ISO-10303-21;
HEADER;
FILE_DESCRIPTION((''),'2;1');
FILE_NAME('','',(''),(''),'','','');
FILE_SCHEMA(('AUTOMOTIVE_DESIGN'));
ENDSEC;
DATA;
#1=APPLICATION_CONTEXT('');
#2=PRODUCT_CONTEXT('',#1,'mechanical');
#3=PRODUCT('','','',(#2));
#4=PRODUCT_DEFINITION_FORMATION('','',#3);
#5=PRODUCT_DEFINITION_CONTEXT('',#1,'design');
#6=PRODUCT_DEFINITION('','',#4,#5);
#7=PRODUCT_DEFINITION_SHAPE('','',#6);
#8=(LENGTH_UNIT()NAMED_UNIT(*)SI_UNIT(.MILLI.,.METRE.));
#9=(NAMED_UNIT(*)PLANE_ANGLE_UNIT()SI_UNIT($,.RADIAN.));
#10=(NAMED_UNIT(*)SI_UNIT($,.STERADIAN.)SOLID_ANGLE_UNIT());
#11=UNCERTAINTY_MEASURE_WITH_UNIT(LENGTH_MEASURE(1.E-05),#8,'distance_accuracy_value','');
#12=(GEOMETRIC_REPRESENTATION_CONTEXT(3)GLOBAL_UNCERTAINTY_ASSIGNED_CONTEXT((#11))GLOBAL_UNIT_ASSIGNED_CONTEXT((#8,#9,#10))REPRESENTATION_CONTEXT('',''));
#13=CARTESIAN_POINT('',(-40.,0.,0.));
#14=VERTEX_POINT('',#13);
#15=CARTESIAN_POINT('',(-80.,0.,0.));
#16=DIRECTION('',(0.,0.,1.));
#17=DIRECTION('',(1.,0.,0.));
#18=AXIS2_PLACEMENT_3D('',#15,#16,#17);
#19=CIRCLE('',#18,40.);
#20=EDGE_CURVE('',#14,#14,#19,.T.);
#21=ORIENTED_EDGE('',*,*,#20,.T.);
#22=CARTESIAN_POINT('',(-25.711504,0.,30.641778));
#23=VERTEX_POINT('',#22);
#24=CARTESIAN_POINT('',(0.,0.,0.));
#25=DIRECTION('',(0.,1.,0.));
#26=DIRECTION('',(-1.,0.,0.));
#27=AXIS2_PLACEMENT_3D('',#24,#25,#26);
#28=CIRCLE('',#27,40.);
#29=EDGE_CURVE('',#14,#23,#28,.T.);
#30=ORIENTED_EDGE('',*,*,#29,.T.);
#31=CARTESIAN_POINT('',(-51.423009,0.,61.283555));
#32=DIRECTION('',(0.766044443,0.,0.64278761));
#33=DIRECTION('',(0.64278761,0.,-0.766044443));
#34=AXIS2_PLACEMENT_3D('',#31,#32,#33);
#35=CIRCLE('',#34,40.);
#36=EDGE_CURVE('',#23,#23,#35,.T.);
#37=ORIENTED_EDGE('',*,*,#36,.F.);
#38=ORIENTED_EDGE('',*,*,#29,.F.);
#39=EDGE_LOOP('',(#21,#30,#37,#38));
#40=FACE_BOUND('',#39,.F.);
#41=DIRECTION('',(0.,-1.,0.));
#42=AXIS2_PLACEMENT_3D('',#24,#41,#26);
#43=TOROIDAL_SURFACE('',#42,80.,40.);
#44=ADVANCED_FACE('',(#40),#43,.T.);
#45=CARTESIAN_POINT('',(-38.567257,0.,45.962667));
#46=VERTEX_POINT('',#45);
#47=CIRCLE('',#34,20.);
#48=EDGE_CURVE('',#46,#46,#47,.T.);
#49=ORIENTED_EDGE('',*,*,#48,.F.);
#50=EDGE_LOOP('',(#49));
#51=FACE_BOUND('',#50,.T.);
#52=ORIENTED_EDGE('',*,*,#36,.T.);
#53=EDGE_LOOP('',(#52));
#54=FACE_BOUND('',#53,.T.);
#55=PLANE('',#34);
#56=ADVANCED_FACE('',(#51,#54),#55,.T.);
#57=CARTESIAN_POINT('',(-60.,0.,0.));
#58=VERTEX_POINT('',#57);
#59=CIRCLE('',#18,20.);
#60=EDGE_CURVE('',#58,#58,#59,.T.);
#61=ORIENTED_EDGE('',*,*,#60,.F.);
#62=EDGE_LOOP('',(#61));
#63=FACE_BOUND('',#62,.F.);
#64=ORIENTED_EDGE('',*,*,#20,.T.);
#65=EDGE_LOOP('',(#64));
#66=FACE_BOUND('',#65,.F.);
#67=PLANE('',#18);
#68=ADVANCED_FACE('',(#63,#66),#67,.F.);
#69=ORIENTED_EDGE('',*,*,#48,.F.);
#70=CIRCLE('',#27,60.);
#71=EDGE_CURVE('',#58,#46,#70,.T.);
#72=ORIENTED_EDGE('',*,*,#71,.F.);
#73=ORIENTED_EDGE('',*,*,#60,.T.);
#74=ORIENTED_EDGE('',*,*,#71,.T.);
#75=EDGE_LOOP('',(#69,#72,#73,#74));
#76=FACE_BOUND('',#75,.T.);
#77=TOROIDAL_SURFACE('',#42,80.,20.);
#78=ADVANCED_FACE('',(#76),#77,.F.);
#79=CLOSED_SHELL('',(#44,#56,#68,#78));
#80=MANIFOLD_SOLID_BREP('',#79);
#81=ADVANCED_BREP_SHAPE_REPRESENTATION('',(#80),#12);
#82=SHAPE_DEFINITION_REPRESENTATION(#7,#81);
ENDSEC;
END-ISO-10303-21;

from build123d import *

# Parameters (mm, degrees)
F1_R     = 40
F1_R_2   = 20
F2_ANGLE = 50


with BuildPart() as f2:
    # F1 (on Top) → F2 (revolve)
    with BuildSketch(Plane.XY):
        with Locations((-80, 0)):
            Circle(F1_R)
        with Locations((-80, 0)):
            Circle(F1_R_2, mode=Mode.SUBTRACT)
    revolve(axis=Axis((0, -21.9608899206, 0), (0, 1, 0)), revolution_arc=F2_ANGLE)


solid = f2.part
